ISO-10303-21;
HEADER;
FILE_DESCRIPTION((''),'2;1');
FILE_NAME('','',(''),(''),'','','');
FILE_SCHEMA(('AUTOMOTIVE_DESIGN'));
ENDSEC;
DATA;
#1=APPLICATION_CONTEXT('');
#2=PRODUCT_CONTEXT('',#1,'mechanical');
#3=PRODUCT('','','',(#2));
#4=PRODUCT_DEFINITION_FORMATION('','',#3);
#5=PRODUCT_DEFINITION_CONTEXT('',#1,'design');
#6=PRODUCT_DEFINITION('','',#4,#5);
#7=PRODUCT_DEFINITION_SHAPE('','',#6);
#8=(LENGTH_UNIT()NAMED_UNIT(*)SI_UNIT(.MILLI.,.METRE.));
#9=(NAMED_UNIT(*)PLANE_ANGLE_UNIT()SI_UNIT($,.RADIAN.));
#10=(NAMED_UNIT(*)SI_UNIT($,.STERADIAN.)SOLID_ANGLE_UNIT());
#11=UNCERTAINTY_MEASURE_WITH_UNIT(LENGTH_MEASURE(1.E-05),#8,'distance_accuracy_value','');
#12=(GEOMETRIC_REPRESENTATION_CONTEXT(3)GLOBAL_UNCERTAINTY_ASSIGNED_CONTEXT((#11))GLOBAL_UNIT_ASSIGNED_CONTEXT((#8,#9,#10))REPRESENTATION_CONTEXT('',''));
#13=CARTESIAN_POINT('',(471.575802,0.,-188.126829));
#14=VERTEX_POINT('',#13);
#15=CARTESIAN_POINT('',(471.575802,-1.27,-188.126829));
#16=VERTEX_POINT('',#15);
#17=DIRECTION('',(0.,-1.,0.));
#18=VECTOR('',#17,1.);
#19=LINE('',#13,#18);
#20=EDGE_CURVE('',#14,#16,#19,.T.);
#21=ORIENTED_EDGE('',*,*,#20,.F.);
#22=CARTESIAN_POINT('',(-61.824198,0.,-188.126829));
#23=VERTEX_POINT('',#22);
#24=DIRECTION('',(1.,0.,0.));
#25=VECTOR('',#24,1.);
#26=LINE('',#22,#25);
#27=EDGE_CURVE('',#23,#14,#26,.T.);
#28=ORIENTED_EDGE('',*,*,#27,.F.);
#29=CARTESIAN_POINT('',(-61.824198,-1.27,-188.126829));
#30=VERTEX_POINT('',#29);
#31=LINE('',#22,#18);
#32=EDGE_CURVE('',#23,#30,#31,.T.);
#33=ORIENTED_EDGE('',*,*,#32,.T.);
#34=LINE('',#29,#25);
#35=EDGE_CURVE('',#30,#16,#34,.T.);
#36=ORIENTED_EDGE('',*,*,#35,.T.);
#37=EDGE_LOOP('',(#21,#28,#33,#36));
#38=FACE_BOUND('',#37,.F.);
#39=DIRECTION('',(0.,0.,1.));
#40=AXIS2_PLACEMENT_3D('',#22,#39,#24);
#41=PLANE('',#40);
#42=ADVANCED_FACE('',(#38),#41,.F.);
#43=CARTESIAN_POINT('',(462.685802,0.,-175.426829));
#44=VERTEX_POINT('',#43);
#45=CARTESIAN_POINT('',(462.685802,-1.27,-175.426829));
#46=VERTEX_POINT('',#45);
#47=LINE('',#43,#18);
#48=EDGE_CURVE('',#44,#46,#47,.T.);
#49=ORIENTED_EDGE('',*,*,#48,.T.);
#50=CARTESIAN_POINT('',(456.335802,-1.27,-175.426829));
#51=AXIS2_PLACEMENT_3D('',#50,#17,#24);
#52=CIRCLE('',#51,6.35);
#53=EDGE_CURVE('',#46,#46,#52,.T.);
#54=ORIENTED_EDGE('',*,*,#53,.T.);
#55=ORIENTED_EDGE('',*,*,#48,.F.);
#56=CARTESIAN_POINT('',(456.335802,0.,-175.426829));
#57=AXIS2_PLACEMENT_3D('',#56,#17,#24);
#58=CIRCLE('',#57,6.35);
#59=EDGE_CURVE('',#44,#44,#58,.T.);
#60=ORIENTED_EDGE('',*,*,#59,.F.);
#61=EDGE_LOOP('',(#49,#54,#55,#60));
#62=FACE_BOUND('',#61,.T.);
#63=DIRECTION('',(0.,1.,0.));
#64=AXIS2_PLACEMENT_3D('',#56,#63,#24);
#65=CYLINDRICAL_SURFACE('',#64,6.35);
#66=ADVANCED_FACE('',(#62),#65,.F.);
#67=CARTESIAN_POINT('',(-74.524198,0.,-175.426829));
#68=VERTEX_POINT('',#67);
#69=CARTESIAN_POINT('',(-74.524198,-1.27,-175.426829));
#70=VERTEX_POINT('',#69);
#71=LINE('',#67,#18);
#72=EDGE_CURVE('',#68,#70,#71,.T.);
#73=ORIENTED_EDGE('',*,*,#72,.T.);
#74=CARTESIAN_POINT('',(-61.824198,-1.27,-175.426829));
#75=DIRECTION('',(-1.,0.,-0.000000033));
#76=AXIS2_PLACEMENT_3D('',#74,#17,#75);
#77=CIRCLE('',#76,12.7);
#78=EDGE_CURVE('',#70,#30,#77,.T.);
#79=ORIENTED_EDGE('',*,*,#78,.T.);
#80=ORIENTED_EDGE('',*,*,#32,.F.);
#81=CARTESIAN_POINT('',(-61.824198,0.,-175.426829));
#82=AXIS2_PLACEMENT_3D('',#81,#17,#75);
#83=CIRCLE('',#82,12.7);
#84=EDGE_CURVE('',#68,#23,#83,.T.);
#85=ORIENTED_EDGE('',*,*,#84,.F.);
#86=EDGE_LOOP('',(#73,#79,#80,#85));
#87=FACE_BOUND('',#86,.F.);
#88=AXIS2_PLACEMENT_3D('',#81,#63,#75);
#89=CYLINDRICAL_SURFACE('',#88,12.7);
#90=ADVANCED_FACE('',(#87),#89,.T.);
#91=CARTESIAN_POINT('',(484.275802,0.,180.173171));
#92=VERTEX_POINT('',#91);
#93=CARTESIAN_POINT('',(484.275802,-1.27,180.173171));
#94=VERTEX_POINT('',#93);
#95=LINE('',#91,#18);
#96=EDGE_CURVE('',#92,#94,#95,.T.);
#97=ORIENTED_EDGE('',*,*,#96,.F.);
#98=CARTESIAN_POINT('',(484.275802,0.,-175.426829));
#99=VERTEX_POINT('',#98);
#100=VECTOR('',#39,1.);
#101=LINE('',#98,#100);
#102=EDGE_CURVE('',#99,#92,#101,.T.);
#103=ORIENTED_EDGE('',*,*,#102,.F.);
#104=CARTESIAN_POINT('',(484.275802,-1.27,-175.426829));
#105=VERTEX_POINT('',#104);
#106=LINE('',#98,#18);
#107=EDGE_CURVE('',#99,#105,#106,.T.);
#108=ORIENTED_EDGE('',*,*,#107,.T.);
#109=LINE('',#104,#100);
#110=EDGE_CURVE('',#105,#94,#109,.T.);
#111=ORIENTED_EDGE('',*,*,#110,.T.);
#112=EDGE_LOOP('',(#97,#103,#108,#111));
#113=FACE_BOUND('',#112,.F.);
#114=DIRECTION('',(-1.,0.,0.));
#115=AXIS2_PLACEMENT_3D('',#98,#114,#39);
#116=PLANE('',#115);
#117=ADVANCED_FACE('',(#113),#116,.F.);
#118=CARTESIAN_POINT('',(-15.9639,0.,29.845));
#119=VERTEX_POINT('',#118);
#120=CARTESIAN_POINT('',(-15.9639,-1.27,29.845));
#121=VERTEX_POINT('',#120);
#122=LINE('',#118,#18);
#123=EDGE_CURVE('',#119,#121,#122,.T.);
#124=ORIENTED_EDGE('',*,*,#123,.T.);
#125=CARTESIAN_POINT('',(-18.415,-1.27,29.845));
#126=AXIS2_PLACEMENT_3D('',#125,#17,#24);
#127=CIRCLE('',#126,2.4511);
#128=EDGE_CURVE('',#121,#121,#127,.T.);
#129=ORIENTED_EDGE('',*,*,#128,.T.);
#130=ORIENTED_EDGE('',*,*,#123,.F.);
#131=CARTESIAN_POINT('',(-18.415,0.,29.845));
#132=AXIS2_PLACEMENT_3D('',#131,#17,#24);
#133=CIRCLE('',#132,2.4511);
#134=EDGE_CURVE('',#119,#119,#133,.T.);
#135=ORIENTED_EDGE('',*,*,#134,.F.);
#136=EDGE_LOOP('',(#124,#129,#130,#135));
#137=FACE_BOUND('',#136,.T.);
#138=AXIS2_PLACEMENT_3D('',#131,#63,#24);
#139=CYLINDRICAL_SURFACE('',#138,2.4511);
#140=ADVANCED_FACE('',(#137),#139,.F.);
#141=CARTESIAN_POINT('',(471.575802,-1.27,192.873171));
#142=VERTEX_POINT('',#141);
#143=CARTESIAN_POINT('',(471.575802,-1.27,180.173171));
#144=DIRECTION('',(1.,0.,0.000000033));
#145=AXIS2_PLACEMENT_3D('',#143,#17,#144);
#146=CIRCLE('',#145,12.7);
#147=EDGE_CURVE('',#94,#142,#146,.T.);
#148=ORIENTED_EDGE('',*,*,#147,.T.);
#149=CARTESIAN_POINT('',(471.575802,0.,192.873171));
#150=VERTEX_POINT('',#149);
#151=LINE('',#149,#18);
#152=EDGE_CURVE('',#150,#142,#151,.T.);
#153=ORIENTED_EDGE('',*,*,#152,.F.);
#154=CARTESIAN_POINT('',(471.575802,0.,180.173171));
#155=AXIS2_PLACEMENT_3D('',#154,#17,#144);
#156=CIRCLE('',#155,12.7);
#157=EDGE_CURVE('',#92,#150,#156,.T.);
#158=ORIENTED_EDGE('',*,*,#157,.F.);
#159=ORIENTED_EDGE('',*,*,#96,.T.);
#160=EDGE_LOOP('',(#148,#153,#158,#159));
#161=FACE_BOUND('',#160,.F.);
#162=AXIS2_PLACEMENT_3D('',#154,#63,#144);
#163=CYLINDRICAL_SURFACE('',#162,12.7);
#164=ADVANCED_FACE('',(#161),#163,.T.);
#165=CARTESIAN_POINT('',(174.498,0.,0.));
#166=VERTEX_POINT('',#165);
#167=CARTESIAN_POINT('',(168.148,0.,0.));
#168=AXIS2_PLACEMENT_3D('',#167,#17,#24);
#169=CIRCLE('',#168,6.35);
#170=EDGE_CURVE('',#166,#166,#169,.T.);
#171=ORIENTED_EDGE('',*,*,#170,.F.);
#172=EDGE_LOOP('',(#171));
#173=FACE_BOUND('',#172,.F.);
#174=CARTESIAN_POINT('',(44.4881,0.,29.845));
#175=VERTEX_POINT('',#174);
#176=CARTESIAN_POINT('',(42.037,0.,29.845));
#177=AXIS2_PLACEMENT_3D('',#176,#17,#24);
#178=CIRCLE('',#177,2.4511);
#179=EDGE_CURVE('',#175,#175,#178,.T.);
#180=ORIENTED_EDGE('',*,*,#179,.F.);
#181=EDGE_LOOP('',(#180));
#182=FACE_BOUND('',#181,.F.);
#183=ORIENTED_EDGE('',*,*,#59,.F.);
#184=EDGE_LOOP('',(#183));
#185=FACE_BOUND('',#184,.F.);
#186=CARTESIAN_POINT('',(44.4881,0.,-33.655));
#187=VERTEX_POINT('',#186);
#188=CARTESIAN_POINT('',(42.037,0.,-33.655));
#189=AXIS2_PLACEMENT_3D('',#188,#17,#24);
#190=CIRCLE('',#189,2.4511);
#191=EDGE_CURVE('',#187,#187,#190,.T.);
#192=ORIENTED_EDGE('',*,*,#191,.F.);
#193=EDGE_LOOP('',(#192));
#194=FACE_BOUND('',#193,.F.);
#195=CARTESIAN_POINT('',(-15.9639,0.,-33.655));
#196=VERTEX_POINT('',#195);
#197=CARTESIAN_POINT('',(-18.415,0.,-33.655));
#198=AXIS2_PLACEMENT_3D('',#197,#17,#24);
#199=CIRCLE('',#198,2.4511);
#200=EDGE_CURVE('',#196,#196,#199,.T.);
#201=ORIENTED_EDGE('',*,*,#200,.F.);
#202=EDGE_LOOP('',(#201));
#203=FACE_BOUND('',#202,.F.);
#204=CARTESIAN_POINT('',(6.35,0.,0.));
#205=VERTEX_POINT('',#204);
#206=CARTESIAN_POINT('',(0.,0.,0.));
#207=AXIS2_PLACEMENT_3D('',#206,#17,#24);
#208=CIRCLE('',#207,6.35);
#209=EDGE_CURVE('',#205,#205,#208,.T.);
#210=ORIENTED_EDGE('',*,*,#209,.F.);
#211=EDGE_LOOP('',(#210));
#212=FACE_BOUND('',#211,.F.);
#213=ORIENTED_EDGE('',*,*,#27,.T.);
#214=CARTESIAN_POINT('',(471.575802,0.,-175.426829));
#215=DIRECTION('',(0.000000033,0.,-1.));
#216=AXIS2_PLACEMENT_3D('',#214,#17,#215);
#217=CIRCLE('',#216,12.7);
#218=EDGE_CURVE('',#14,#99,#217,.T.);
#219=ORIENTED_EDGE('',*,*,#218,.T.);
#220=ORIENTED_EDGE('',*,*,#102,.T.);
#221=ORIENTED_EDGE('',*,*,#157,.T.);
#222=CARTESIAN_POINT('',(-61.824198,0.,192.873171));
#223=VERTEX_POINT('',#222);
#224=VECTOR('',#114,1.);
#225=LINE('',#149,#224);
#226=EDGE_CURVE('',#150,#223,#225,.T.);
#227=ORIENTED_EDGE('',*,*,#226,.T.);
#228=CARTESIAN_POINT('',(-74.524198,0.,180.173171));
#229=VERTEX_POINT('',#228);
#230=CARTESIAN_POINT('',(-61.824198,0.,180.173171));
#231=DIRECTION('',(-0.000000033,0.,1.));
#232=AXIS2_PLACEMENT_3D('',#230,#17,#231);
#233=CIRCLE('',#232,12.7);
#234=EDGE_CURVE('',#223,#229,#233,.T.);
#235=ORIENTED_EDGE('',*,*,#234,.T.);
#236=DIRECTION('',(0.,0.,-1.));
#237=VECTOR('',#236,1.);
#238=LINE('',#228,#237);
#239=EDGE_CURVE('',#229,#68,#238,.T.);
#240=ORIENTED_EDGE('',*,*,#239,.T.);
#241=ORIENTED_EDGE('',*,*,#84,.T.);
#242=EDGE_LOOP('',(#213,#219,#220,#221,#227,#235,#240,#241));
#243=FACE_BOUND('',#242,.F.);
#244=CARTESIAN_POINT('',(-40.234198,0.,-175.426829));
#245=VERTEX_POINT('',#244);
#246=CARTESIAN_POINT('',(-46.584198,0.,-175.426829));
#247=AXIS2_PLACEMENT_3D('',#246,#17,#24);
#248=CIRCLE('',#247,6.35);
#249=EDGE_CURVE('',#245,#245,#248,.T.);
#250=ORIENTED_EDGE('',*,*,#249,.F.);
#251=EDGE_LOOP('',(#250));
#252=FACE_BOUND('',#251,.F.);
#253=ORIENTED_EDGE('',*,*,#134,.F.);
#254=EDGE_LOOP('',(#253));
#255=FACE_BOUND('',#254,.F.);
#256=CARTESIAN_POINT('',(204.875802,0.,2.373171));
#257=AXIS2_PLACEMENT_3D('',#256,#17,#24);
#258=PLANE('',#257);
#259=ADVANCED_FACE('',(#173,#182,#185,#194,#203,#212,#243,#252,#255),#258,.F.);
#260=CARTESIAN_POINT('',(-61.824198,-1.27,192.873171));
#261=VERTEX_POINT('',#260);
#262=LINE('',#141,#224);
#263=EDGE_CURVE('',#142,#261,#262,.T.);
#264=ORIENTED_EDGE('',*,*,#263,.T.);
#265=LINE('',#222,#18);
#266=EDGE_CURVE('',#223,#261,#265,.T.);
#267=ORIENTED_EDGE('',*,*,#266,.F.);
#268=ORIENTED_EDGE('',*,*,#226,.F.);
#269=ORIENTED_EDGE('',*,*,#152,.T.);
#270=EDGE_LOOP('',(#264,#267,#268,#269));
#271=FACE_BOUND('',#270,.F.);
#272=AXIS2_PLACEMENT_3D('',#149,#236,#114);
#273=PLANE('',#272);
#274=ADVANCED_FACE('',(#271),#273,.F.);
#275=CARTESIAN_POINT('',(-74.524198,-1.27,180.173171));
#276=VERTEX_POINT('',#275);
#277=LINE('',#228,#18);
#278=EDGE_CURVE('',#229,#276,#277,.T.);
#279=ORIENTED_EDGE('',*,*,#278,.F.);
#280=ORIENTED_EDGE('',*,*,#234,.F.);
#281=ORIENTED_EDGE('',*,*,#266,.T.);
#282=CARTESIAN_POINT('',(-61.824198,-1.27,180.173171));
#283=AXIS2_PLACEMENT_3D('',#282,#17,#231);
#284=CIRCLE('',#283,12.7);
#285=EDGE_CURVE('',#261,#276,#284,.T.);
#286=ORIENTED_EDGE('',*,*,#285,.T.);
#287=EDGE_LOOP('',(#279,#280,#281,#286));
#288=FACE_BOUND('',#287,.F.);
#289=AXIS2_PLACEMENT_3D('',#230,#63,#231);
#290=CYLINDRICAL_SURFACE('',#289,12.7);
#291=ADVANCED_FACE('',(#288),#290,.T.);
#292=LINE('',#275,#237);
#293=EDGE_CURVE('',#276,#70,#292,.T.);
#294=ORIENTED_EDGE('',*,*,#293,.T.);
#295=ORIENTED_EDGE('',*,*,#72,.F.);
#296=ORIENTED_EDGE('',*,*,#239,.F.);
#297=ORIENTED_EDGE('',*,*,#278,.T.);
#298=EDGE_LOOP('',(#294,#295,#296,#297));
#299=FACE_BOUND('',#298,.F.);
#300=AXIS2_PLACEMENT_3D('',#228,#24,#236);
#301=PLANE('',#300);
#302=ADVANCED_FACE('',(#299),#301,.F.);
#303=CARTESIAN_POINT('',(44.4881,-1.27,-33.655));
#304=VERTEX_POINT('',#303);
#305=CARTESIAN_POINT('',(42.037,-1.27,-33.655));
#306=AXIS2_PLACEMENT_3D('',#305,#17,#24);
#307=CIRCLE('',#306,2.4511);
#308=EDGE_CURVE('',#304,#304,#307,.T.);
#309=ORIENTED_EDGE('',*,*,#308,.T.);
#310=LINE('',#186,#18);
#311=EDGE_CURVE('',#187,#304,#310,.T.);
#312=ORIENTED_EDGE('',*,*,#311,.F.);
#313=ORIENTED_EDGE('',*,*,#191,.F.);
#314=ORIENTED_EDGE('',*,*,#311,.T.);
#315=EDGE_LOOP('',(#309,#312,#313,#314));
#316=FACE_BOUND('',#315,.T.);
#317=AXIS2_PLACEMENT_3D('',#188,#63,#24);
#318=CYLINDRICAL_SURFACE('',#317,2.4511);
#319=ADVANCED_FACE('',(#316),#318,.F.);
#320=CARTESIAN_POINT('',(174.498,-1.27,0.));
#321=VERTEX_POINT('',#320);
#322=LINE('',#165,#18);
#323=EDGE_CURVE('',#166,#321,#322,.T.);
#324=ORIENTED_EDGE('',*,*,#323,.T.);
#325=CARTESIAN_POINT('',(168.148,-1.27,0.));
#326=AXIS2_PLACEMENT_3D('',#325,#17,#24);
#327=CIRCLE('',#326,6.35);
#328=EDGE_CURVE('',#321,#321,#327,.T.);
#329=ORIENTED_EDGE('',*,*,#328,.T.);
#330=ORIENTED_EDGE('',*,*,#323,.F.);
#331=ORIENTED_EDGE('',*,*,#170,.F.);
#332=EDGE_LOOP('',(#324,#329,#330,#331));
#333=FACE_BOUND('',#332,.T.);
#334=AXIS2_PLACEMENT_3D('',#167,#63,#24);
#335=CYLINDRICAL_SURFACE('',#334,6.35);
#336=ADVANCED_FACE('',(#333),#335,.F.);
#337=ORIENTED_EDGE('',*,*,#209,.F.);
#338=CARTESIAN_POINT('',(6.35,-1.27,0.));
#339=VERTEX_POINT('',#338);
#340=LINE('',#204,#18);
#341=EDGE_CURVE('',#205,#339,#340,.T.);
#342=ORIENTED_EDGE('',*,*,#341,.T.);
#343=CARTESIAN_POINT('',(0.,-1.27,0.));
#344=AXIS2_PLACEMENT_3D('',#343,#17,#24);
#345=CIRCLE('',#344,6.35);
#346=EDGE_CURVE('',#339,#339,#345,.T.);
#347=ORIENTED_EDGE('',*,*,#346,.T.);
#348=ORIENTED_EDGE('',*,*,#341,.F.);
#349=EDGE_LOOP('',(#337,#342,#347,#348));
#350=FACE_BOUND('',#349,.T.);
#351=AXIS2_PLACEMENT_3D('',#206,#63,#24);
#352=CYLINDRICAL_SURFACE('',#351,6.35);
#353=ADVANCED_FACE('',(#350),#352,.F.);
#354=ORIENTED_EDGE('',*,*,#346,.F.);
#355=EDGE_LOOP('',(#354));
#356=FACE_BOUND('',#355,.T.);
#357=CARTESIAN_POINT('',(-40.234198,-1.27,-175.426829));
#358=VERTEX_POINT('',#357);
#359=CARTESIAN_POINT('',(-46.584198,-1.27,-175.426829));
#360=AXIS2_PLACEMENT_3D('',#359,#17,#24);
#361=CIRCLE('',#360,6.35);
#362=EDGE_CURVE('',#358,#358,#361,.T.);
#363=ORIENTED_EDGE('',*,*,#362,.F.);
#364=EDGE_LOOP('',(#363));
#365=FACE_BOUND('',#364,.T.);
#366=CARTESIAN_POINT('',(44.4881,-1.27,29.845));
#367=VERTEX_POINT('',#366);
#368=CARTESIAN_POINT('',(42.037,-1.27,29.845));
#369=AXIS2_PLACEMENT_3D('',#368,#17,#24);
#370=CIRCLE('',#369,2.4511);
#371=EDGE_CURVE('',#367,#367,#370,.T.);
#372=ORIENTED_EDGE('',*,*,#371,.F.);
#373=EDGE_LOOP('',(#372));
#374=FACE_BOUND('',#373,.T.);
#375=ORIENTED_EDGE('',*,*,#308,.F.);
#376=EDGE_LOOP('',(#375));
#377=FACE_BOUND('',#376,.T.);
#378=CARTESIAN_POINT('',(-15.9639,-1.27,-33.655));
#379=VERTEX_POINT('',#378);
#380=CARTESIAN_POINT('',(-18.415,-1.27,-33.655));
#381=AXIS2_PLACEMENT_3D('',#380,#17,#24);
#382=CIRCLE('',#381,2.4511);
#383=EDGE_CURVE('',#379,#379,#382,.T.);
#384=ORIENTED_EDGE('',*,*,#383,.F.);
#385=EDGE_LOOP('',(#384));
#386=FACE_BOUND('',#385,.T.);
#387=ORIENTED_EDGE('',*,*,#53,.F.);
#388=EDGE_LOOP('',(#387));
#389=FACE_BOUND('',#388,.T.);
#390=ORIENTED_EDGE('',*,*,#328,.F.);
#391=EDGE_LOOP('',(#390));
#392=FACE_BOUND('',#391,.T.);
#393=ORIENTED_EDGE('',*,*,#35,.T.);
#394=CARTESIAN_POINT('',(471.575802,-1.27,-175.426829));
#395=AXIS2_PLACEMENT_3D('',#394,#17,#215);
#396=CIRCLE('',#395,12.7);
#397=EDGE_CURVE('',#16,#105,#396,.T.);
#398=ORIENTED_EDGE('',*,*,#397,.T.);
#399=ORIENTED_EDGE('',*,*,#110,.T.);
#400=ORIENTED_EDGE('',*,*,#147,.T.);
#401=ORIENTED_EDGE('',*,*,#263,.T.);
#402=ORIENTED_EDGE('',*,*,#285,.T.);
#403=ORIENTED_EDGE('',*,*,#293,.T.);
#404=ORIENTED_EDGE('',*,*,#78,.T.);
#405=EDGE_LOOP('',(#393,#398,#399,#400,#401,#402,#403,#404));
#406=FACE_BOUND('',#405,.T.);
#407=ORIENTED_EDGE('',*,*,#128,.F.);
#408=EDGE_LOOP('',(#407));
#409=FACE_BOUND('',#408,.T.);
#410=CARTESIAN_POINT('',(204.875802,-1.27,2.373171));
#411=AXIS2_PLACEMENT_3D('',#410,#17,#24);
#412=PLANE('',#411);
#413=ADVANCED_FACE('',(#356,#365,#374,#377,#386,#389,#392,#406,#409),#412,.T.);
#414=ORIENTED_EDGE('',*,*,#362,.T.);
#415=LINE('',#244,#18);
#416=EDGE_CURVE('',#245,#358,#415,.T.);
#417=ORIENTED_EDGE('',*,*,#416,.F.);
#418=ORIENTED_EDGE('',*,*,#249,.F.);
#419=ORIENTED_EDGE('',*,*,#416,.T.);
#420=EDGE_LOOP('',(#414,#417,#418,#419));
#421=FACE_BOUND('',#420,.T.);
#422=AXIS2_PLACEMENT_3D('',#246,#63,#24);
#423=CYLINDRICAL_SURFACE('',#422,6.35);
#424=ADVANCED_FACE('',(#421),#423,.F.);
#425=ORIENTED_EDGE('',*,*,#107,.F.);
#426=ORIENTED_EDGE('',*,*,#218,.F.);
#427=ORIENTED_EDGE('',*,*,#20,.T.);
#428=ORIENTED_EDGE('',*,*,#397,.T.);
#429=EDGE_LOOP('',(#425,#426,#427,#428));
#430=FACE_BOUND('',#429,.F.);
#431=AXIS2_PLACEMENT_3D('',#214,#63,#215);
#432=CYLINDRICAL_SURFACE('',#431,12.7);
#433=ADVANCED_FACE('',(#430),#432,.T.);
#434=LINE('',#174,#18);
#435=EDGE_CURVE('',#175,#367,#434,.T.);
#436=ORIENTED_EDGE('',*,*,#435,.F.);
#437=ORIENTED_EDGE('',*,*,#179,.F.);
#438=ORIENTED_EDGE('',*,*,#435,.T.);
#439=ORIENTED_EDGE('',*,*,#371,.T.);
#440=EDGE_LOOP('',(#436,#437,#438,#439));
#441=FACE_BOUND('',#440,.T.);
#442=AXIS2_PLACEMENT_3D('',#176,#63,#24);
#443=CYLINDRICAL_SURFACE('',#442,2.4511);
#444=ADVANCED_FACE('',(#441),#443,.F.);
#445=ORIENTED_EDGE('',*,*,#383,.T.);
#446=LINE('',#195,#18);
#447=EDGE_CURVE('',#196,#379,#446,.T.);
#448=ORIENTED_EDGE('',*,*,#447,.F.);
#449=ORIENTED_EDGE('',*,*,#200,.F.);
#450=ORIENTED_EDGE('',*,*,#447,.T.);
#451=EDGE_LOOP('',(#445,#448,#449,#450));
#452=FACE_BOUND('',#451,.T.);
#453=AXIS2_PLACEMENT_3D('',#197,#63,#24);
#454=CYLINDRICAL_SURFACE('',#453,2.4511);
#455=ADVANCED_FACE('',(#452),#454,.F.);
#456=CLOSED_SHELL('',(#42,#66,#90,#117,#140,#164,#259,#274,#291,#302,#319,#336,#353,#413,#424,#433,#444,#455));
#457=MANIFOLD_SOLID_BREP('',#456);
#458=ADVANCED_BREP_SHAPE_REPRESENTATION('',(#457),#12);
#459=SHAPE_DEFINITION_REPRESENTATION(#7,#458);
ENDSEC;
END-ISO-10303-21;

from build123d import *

# Parameters (mm, degrees)
F0_R     = 6.35
F0_R_2   = 2.4511
F1_DEPTH = 1.27


with BuildPart() as f1:
    # F0 (on Front) → F1 (new body)
    with BuildSketch(Plane.XZ):
        with BuildLine():
            ThreePointArc((-61.824198, 192.873171), (-70.804454, 189.153427), (-74.524198, 180.173171))
            Line((-74.524198, 180.173171), (-74.524198, -175.426829))
            ThreePointArc((-74.524198, -175.426829), (-70.804454, -184.407085), (-61.824198, -188.126829))
            Line((-61.824198, -188.126829), (471.575802, -188.126829))
            ThreePointArc((471.575802, -188.126829), (480.556058, -184.407085), (484.275802, -175.426829))
            Line((484.275802, -175.426829), (484.275802, 180.173171))
            ThreePointArc((484.275802, 180.173171), (480.556058, 189.153427), (471.575802, 192.873171))
            Line((471.575802, 192.873171), (-61.824198, 192.873171))
        make_face()
        with Locations((-46.584198, -175.426829)):
            Circle(F0_R, mode=Mode.SUBTRACT)
        with Locations((-18.415, -33.655)):
            Circle(F0_R_2, mode=Mode.SUBTRACT)
        with Locations((42.037, -33.655)):
            Circle(F0_R_2, mode=Mode.SUBTRACT)
        Circle(F0_R, mode=Mode.SUBTRACT)
        with Locations((168.148, 0)):
            Circle(F0_R, mode=Mode.SUBTRACT)
        with Locations((456.335802, -175.426829)):
            Circle(F0_R, mode=Mode.SUBTRACT)
        with Locations((-18.415, 29.845)):
            Circle(F0_R_2, mode=Mode.SUBTRACT)
        with Locations((42.037, 29.845)):
            Circle(F0_R_2, mode=Mode.SUBTRACT)
    extrude(amount=F1_DEPTH)


solid = f1.part
